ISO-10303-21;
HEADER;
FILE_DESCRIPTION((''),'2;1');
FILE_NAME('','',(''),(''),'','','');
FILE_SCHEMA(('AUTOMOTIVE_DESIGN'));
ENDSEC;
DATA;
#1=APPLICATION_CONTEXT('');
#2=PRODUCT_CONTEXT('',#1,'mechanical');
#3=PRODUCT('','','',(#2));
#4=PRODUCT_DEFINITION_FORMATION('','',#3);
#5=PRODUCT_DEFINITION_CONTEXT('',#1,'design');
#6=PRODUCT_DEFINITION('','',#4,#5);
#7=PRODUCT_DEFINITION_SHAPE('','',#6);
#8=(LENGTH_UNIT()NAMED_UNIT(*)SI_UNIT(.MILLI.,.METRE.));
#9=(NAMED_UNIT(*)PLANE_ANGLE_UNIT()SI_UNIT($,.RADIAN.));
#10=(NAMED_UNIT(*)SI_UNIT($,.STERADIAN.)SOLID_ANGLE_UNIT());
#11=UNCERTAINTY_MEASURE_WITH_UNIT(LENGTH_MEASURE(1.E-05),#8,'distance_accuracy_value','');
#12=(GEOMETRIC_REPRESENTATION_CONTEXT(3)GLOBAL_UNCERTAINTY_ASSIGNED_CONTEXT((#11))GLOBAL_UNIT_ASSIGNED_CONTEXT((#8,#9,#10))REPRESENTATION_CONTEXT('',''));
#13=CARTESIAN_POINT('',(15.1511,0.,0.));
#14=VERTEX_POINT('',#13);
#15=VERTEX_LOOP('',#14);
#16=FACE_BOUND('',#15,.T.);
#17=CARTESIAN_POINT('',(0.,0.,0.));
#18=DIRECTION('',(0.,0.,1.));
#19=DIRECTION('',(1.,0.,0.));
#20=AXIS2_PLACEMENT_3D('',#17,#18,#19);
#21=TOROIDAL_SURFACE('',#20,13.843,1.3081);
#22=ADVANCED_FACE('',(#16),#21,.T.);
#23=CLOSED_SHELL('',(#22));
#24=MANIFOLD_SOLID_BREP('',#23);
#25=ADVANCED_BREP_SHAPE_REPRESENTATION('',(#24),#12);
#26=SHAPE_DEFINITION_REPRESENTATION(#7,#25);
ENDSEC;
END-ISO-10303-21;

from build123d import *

# Parameters (mm, degrees)
SKETCH1_R = 1.3081


with BuildPart() as part:
    # Sketch1 → Revolve1 (revolve)
    with BuildSketch(Plane(origin=(0, 0, 0), x_dir=(0, -1, 0), z_dir=(1, 0, 0))):
        with Locations((13.843, 0)):
            Circle(SKETCH1_R)
    revolve(axis=Axis((0, 0, 1.3081), (0, 0, -1)))


solid = part.part
